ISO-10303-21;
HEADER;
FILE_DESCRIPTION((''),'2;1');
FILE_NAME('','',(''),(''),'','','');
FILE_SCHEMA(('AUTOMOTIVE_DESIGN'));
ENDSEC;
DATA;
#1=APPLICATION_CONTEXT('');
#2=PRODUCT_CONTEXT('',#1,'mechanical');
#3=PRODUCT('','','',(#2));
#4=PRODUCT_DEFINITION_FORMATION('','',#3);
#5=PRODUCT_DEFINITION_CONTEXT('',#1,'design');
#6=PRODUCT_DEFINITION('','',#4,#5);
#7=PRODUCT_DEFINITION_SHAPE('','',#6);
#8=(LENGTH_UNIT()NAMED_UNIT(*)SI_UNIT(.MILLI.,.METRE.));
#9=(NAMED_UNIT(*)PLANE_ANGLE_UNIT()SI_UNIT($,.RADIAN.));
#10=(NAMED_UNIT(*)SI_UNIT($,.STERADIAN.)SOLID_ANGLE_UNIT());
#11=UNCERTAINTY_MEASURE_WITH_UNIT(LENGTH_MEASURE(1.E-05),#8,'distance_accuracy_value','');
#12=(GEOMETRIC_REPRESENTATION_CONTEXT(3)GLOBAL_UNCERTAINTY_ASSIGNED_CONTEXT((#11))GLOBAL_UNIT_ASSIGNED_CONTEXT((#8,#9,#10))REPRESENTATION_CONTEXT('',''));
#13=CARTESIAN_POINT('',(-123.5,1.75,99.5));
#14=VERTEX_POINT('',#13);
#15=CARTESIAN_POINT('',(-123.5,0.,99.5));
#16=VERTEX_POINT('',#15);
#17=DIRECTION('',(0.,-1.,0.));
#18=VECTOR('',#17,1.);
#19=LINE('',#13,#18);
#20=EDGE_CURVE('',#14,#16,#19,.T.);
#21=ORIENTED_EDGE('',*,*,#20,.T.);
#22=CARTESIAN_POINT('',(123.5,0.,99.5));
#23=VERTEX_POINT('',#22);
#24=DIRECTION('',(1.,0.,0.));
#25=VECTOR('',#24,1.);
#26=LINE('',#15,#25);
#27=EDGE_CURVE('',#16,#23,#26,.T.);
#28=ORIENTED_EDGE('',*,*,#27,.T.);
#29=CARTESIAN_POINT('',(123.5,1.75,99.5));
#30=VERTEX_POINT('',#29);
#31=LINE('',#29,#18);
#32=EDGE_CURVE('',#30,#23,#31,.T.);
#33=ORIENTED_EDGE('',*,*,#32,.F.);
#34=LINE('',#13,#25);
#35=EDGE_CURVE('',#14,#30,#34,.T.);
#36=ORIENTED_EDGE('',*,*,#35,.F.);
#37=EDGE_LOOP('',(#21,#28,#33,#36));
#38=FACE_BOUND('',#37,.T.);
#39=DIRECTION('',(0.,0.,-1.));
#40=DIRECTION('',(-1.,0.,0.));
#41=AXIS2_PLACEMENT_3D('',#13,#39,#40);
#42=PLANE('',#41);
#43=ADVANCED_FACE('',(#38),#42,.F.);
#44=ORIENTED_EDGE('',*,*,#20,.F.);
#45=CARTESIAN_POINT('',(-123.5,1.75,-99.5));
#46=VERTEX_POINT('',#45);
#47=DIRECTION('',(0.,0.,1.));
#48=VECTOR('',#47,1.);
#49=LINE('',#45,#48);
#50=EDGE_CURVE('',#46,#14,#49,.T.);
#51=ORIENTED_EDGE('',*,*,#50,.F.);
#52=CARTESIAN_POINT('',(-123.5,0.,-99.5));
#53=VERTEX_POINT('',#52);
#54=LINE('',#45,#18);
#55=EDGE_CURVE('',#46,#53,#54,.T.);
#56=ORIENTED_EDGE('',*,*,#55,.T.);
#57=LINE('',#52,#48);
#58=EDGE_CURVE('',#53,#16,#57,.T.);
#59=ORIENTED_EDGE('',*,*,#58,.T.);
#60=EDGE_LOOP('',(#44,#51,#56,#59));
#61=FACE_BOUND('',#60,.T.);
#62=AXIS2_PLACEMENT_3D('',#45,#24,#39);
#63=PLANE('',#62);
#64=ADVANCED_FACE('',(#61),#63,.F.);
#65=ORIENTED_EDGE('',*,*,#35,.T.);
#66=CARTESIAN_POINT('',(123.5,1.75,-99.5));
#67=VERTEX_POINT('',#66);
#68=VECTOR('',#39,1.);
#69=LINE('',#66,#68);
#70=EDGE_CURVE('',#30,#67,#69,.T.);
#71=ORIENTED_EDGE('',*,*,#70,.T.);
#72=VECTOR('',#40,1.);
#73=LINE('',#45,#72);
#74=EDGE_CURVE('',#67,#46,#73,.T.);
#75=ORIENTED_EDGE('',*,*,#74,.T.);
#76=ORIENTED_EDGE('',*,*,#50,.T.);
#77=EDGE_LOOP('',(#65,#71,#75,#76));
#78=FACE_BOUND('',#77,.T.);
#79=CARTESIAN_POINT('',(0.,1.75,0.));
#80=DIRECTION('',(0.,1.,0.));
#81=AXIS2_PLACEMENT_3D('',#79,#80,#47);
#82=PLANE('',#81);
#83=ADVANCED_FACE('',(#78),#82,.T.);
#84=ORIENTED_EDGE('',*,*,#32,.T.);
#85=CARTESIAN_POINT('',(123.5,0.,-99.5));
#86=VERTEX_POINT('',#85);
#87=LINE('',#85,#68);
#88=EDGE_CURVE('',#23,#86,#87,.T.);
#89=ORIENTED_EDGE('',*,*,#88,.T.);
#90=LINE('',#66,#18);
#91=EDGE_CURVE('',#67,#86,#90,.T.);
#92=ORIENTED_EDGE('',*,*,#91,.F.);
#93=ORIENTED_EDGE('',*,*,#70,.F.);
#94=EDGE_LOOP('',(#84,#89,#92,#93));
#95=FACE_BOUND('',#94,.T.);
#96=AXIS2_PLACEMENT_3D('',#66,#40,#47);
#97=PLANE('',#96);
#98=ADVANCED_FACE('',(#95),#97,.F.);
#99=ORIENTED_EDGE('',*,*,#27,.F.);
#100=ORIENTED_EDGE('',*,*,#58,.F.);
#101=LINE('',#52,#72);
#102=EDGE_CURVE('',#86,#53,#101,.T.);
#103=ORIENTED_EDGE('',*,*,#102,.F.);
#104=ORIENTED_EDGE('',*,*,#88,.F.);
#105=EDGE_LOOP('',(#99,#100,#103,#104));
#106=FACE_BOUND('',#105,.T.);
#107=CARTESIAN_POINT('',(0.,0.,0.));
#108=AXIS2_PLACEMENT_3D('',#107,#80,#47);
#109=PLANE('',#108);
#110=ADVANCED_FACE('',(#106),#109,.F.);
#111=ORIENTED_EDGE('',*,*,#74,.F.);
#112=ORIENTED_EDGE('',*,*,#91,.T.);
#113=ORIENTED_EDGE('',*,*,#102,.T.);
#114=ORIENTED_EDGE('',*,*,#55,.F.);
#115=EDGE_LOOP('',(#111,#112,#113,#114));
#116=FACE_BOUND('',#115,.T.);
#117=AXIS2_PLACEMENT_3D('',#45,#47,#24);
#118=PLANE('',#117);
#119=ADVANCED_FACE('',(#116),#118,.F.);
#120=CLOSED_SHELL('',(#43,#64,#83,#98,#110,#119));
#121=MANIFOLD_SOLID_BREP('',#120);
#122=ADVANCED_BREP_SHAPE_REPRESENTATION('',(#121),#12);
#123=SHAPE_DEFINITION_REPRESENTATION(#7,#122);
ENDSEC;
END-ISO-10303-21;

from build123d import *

# Parameters (mm, degrees)
SKETCH1_W   = 247
SKETCH1_H   = 199
SHAPE_DEPTH = 1.75


with BuildPart() as part:
    # Sketch1 → Shape (new body)
    with BuildSketch(Plane(origin=(0, 0, 0), x_dir=(1, 0, 0), z_dir=(0, 1, 0))):
        Rectangle(SKETCH1_W, SKETCH1_H)
    extrude(amount=SHAPE_DEPTH)


solid = part.part
